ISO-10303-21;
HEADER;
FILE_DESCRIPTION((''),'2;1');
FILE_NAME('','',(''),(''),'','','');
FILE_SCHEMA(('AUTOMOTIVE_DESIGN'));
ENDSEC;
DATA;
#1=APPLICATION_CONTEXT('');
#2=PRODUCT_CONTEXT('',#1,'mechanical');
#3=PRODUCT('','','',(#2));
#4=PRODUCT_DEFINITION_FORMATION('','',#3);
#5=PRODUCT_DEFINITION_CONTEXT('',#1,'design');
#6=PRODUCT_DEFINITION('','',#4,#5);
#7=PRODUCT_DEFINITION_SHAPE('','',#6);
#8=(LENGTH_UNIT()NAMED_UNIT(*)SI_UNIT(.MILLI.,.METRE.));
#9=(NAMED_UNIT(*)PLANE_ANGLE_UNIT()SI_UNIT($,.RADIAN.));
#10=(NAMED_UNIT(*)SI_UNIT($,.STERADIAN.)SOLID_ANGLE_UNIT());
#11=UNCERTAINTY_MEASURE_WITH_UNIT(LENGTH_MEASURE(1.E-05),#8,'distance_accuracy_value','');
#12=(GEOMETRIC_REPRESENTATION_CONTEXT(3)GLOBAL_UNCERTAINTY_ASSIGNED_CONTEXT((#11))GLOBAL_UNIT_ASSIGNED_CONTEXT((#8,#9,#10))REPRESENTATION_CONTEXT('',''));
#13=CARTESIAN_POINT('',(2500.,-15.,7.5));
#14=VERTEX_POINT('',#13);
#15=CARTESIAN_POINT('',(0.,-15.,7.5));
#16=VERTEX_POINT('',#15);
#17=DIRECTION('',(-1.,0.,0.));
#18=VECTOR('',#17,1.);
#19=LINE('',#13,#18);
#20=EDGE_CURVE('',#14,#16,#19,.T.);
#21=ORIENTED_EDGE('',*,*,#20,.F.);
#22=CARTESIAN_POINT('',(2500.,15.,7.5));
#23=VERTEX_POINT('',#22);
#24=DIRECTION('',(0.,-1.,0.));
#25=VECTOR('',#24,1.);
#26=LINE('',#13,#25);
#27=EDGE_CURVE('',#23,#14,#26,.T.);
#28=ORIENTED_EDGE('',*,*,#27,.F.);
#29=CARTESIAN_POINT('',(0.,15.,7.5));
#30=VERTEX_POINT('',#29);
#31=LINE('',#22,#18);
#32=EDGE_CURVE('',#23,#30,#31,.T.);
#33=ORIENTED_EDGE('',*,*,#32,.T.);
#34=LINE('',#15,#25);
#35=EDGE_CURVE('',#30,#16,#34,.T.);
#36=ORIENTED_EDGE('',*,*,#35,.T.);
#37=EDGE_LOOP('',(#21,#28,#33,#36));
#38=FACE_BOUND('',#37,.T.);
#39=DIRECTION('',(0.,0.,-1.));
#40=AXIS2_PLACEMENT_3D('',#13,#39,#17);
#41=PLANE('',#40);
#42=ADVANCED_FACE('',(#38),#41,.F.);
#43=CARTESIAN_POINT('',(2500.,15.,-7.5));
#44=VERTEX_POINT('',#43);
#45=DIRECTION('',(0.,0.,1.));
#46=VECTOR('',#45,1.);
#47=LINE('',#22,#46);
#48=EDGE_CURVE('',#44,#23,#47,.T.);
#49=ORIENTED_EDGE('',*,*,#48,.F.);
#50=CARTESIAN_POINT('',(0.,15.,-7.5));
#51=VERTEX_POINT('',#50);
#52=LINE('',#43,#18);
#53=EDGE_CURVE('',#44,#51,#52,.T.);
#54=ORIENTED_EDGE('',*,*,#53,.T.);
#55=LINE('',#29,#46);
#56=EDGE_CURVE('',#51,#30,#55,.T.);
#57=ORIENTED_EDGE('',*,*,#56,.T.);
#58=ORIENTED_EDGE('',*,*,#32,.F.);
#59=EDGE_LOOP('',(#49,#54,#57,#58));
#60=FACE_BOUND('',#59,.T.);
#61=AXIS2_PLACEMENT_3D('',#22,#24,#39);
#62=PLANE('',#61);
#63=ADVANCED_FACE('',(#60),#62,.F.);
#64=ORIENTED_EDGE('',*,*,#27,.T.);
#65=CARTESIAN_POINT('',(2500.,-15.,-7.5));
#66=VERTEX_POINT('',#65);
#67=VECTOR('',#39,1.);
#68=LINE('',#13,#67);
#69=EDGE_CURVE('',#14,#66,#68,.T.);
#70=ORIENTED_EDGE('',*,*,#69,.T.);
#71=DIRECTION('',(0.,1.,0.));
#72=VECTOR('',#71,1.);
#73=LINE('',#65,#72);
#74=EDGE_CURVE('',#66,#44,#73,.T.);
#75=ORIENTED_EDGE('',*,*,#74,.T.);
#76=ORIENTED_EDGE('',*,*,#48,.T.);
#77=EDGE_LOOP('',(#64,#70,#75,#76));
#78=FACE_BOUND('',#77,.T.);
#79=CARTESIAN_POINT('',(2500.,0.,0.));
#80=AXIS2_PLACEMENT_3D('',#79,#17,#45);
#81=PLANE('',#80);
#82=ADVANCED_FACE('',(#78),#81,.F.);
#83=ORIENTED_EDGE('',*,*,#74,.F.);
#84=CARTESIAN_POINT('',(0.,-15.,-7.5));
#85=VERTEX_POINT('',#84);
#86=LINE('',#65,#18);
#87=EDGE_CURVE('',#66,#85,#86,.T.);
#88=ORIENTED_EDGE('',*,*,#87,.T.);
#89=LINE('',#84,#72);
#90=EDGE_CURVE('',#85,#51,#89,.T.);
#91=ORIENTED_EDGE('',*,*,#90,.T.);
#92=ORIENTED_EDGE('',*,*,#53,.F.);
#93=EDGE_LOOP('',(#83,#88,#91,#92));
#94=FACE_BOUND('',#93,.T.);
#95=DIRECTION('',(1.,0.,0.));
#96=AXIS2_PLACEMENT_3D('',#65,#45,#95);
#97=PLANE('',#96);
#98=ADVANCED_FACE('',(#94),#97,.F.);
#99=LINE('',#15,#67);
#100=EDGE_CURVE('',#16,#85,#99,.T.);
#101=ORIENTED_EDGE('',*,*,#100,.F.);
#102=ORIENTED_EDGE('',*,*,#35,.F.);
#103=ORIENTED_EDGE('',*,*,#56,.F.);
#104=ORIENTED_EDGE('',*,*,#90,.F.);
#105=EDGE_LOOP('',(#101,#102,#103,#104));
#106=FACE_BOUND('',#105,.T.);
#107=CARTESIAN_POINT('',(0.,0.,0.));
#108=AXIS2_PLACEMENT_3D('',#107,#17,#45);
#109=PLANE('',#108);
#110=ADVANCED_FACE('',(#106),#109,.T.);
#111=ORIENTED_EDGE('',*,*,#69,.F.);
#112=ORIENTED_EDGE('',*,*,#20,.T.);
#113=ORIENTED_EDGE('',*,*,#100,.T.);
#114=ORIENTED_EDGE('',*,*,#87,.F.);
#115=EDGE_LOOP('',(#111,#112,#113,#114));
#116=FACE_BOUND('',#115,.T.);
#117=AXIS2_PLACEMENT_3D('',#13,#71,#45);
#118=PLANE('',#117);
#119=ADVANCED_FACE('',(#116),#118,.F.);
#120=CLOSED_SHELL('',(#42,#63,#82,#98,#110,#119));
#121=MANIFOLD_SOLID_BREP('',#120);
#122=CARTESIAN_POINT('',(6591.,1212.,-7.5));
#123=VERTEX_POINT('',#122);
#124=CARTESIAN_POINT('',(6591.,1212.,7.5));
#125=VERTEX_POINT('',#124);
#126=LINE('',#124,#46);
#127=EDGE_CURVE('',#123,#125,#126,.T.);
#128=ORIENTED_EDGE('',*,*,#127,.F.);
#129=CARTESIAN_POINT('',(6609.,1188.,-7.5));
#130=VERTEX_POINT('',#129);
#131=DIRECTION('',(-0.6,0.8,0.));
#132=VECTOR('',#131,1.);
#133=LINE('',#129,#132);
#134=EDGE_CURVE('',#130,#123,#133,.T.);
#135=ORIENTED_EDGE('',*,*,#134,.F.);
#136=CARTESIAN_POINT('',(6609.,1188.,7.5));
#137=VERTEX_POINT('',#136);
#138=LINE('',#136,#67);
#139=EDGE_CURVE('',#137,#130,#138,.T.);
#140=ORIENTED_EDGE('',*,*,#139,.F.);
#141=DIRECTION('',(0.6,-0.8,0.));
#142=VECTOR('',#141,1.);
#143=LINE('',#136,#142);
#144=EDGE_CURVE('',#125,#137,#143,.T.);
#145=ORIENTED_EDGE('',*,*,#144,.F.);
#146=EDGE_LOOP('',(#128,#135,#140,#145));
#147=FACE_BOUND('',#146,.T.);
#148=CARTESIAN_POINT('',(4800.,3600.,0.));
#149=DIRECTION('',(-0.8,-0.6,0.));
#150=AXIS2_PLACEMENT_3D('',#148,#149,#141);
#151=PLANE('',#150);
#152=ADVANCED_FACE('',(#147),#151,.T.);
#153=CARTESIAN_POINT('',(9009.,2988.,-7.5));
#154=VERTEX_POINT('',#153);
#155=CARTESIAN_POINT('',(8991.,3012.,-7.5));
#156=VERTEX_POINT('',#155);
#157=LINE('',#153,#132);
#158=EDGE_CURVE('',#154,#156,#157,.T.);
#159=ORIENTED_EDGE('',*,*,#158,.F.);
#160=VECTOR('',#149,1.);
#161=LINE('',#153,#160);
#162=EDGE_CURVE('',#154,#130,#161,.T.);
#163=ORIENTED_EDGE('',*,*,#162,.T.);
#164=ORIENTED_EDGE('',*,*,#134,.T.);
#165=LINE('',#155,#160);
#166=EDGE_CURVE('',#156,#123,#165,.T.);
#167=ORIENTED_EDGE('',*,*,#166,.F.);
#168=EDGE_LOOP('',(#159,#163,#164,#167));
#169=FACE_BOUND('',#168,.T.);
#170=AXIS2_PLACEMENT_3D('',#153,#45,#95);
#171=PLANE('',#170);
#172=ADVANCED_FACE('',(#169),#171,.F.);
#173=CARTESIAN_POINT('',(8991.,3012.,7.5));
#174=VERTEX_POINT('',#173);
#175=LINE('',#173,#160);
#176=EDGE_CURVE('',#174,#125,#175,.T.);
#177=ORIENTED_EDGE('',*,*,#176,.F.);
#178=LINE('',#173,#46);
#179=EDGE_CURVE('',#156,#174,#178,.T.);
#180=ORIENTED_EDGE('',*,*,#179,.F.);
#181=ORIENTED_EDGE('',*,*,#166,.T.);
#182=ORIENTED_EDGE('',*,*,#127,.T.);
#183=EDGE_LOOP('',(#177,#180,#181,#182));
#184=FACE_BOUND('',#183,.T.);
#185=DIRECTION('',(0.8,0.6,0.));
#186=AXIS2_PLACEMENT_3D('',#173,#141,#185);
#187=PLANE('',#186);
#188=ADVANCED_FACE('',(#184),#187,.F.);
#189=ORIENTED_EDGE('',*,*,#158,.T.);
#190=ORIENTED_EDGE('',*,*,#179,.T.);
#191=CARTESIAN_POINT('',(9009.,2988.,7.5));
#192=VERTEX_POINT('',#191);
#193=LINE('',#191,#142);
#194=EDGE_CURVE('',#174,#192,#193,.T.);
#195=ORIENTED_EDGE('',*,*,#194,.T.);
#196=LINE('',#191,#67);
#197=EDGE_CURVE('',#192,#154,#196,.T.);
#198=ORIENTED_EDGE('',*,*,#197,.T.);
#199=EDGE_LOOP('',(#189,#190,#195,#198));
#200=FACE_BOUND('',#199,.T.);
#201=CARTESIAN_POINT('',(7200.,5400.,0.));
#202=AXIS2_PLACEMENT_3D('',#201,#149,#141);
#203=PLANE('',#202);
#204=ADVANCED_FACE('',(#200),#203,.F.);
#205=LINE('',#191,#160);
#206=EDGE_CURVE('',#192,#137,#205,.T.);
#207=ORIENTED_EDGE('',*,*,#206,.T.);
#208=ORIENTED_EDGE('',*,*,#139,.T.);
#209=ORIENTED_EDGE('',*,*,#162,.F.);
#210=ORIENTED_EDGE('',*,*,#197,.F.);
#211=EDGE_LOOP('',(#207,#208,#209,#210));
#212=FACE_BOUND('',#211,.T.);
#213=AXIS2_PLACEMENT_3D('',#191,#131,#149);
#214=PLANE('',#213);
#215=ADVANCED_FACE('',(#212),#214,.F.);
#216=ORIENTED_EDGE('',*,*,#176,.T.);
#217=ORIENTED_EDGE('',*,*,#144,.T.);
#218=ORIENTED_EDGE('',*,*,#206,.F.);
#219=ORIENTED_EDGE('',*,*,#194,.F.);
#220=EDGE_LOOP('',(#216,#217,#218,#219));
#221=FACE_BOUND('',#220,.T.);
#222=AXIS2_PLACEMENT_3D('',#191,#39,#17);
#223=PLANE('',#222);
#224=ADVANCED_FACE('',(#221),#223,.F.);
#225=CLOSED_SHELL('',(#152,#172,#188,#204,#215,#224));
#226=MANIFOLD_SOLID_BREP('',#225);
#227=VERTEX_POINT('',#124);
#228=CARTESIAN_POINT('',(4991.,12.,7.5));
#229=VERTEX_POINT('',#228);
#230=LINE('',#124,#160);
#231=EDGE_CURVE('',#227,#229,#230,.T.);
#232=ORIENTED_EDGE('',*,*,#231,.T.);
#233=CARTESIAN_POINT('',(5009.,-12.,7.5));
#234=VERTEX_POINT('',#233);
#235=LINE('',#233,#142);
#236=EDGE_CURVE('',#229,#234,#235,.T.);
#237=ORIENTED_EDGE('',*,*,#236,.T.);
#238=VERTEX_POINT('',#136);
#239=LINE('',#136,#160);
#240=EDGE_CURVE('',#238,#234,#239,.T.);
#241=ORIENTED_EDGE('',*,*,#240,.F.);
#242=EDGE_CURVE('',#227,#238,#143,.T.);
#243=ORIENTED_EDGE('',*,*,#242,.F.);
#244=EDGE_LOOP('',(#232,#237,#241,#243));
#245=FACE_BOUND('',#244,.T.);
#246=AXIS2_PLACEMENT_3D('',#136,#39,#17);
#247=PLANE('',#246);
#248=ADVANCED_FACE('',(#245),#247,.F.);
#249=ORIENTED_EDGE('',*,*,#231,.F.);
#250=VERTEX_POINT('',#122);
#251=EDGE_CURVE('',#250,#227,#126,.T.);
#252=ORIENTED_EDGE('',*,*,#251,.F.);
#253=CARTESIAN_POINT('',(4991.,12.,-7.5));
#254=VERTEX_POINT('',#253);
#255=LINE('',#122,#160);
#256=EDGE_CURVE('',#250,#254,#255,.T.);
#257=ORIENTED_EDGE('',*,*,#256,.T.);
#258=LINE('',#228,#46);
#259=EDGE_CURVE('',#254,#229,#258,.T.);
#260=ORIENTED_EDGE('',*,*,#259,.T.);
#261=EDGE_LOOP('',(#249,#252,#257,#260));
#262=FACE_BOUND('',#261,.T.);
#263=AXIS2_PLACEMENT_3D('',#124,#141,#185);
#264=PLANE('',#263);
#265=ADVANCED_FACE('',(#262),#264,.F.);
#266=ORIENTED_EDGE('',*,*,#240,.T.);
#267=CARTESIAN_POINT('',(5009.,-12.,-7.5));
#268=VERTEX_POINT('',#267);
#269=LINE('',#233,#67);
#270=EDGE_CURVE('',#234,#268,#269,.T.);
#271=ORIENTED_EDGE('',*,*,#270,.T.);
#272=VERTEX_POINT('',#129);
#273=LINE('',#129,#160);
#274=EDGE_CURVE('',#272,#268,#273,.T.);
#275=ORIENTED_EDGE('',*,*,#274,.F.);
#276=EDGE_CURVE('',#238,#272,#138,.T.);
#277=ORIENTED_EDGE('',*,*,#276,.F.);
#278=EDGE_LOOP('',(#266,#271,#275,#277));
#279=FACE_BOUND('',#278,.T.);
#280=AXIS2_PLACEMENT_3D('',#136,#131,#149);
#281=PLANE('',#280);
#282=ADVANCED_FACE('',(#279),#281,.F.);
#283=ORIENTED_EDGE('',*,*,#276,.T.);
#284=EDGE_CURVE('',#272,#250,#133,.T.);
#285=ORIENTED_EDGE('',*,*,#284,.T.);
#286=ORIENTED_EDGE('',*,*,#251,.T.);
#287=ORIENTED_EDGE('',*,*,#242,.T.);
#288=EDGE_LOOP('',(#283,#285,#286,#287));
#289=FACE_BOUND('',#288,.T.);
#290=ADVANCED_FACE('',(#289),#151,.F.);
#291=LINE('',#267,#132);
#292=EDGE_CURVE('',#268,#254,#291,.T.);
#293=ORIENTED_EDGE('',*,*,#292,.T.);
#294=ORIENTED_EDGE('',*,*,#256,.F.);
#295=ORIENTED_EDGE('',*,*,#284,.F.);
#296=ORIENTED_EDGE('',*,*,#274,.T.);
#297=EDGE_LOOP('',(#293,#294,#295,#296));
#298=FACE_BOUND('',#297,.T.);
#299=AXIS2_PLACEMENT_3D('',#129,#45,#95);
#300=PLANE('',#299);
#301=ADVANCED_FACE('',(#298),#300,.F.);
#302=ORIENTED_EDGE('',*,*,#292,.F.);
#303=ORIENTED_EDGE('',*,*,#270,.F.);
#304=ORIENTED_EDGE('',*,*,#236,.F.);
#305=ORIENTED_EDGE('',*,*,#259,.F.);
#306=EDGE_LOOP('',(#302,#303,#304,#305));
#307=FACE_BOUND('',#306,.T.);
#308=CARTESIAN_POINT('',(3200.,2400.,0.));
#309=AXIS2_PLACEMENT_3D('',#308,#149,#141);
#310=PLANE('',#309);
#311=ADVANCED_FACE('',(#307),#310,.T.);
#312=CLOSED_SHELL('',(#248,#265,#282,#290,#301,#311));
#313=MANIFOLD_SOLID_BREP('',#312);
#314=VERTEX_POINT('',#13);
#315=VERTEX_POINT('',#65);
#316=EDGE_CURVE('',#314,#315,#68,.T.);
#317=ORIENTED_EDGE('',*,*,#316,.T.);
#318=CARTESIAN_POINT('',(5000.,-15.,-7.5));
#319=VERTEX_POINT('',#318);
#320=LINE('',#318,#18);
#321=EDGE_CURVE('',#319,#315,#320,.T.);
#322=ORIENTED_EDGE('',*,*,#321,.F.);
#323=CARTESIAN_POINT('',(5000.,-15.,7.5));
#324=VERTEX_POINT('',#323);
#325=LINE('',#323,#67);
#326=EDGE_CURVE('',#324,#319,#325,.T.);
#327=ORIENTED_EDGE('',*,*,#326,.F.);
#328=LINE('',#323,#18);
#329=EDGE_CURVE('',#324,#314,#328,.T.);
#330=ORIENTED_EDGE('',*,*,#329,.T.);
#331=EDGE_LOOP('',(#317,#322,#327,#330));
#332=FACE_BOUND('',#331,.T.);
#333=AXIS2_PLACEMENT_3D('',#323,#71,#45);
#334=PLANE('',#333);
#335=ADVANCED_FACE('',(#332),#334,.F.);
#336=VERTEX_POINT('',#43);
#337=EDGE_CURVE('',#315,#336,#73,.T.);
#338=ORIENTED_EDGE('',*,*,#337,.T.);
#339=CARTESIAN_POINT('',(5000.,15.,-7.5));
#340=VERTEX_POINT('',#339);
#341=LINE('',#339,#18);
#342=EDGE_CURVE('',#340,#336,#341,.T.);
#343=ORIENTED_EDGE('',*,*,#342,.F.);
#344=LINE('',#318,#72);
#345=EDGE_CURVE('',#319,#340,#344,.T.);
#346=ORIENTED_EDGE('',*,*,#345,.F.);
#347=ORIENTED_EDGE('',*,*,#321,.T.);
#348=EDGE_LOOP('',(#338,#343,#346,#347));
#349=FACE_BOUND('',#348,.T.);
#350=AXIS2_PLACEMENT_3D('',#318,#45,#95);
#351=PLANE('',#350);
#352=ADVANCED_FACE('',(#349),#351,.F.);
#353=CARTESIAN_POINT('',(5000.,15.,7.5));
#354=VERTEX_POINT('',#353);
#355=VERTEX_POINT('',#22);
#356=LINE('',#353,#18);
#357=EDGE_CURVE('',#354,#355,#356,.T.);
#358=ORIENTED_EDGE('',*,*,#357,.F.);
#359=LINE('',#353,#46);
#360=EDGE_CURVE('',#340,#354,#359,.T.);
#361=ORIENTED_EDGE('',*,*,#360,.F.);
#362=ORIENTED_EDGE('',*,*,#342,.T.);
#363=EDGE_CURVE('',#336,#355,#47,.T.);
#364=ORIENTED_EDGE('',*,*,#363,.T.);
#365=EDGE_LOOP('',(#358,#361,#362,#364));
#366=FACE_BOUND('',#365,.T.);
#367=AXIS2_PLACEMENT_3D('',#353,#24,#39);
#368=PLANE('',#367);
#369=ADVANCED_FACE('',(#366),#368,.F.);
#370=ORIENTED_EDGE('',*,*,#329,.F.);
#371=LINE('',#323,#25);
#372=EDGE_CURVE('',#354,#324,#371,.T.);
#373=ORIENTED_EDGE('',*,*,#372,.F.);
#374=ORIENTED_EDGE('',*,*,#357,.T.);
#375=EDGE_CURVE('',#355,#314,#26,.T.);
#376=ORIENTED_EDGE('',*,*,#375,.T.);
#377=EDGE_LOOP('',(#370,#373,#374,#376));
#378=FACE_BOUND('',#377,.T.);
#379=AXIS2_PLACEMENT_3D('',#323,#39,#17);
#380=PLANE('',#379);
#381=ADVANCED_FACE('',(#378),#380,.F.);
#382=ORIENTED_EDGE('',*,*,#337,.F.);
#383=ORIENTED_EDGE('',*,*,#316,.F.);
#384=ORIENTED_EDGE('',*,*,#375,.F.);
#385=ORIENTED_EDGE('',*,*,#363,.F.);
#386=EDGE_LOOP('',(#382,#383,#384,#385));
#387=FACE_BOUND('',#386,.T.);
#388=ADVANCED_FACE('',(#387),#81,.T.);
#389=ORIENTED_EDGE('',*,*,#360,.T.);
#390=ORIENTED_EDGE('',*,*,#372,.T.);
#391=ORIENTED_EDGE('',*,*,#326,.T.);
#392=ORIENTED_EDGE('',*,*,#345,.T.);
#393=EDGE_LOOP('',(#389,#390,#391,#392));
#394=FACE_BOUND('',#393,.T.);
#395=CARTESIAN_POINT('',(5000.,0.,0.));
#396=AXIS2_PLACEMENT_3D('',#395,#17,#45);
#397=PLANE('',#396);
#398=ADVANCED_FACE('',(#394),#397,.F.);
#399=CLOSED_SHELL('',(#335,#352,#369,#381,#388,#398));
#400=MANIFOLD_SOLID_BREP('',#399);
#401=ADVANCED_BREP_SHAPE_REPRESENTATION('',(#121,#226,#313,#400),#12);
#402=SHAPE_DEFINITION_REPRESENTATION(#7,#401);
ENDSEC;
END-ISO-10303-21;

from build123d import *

# Parameters (mm, degrees)
SKETCH2_W            = 15
SKETCH2_H            = 30
BOSS_EXTRUDE1_DEPTH  = 2500
BOSS_EXTRUDE9_START  = 2500
SKETCH2_11_W         = 15
SKETCH2_11_H         = 30
BOSS_EXTRUDE9_DEPTH  = 2500
SKETCH3_W            = 15
SKETCH3_H            = 30
BOSS_EXTRUDE8_DEPTH  = 2000
BOSS_EXTRUDE10_START = 2000
SKETCH3_2_W          = 15
SKETCH3_2_H          = 30
BOSS_EXTRUDE10_DEPTH = 3000


with BuildPart() as part:
    # Sketch2 → Boss-Extrude1 (new body)
    with BuildSketch(Plane(origin=(0, 0, 0), x_dir=(0, 0, -1), z_dir=(1, 0, 0))):
        Rectangle(SKETCH2_W, SKETCH2_H)
    extrude(amount=BOSS_EXTRUDE1_DEPTH)


with BuildPart() as body_2:
    # Sketch2<11> → Boss-Extrude9 (new body)
    with BuildSketch(Plane(origin=(0, 0, 0), x_dir=(0, 0, -1), z_dir=(1, 0, 0)).offset(BOSS_EXTRUDE9_START)):
        Rectangle(SKETCH2_11_W, SKETCH2_11_H)
    extrude(amount=BOSS_EXTRUDE9_DEPTH)


with BuildPart() as body_3:
    # Sketch3 → Boss-Extrude8 (new body)
    with BuildSketch(Plane(origin=(5000, 0, 0), x_dir=(0, 0, -1), z_dir=(0.8, 0.6, 0))):
        Rectangle(SKETCH3_W, SKETCH3_H)
    extrude(amount=BOSS_EXTRUDE8_DEPTH)


with BuildPart() as body_4:
    # Sketch3<2> → Boss-Extrude10 (new body)
    with BuildSketch(Plane(origin=(5000, 0, 0), x_dir=(0, 0, -1), z_dir=(0.8, 0.6, 0)).offset(BOSS_EXTRUDE10_START)):
        Rectangle(SKETCH3_2_W, SKETCH3_2_H)
    extrude(amount=BOSS_EXTRUDE10_DEPTH)


solid = Compound([part.part, body_2.part, body_3.part, body_4.part])
